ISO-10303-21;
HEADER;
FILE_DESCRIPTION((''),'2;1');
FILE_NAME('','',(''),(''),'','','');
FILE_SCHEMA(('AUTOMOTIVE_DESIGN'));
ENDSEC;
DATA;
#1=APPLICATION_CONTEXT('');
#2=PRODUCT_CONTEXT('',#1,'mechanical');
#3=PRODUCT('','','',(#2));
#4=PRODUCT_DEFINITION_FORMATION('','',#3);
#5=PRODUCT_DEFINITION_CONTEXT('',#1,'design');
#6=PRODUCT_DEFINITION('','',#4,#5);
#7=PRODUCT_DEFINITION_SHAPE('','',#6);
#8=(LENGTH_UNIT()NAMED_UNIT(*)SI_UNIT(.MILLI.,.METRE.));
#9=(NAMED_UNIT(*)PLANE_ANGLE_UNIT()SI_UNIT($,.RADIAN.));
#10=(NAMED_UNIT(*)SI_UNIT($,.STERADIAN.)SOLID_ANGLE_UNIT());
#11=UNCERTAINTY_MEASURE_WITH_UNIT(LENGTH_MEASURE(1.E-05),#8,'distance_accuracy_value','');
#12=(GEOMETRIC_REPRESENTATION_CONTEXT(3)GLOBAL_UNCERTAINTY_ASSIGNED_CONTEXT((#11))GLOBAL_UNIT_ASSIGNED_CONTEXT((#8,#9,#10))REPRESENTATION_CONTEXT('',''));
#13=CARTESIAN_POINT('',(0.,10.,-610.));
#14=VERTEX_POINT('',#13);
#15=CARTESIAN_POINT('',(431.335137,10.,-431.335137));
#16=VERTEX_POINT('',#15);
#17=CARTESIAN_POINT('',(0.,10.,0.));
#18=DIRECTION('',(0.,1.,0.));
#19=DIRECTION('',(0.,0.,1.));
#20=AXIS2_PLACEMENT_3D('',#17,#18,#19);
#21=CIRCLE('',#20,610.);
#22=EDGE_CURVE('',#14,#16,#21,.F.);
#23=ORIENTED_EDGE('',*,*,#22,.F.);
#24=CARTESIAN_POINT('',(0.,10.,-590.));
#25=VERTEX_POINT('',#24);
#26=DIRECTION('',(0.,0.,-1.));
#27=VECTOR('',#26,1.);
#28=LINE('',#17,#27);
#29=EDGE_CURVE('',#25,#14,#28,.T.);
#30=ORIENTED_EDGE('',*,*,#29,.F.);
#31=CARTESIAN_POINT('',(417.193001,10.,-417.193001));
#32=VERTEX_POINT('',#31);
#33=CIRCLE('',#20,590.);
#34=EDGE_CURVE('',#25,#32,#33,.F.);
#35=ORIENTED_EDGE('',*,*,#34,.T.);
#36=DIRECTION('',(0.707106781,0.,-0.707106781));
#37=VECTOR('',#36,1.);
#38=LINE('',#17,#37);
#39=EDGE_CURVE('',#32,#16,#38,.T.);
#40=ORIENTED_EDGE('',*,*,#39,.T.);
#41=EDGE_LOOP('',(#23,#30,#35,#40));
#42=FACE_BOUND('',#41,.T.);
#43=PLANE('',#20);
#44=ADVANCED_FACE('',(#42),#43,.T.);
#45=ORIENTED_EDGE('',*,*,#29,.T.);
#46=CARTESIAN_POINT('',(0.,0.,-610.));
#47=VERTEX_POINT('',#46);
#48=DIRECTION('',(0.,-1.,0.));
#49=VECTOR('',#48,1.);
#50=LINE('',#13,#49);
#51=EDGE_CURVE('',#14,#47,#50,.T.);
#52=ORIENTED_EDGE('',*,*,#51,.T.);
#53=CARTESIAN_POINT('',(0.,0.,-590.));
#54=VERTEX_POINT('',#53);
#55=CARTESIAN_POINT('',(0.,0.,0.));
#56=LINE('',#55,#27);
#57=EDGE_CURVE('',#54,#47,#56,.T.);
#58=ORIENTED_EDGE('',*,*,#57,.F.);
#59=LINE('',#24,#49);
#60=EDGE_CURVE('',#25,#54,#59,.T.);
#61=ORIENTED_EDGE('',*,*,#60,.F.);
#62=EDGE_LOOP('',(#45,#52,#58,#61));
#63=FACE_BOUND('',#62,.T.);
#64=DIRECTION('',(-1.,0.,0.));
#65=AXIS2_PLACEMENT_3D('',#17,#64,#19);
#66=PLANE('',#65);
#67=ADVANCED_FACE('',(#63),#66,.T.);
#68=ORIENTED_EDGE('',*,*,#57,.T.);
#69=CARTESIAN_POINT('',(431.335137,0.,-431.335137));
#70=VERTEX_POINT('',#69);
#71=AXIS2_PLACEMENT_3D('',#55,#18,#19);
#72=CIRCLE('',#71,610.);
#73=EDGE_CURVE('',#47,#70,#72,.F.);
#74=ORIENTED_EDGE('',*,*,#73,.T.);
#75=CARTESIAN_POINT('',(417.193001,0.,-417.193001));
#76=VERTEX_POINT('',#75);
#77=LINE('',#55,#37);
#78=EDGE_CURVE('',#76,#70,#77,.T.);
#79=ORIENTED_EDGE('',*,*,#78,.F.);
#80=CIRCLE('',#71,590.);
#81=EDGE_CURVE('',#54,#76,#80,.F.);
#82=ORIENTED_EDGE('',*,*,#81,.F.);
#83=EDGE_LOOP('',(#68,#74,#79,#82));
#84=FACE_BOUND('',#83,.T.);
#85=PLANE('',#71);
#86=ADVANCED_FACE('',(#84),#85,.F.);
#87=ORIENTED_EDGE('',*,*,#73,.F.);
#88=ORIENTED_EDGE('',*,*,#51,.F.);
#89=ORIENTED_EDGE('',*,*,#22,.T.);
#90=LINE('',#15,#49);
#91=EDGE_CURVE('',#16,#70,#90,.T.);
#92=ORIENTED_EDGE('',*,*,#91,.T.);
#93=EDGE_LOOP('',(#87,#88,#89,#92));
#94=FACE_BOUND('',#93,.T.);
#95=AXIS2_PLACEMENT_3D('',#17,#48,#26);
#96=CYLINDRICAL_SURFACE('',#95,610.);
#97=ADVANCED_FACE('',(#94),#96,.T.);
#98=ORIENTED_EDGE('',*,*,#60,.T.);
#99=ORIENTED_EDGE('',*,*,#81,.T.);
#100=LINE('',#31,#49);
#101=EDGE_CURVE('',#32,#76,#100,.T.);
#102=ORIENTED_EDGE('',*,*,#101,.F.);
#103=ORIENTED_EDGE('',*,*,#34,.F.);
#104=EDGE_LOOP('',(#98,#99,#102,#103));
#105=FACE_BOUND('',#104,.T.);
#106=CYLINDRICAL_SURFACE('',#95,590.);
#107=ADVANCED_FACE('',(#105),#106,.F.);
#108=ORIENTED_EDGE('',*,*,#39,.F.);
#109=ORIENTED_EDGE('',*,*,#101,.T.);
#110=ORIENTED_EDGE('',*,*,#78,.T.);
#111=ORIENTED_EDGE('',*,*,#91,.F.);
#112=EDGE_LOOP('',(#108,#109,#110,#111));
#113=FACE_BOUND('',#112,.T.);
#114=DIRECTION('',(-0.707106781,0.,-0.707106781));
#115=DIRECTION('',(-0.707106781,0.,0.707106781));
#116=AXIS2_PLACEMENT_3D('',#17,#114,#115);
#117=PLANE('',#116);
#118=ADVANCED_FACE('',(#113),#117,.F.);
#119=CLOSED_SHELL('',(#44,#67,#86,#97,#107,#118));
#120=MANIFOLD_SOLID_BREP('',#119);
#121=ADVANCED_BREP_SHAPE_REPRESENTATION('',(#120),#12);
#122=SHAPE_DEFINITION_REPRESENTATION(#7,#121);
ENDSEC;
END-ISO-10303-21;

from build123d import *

# Parameters (mm, degrees)
BOSS_EXTRUDE1_DEPTH = 10


with BuildPart() as part:
    # Sketch1 → Boss-Extrude1 (new body)
    with BuildSketch(Plane(origin=(0, 0, 0), x_dir=(1, 0, 0), z_dir=(0, 1, 0))):
        with BuildLine():
            ThreePointArc((0, 610), (233.436893743, 563.566514832), (431.335136524, 431.335136524))
            Line((431.335136524, 431.335136524), (417.1930009, 417.1930009))
            ThreePointArc((417.1930009, 417.1930009), (225.783225095, 545.088924182), (0, 590))
            Line((0, 590), (0, 610))
        make_face()
    extrude(amount=BOSS_EXTRUDE1_DEPTH)


solid = part.part
